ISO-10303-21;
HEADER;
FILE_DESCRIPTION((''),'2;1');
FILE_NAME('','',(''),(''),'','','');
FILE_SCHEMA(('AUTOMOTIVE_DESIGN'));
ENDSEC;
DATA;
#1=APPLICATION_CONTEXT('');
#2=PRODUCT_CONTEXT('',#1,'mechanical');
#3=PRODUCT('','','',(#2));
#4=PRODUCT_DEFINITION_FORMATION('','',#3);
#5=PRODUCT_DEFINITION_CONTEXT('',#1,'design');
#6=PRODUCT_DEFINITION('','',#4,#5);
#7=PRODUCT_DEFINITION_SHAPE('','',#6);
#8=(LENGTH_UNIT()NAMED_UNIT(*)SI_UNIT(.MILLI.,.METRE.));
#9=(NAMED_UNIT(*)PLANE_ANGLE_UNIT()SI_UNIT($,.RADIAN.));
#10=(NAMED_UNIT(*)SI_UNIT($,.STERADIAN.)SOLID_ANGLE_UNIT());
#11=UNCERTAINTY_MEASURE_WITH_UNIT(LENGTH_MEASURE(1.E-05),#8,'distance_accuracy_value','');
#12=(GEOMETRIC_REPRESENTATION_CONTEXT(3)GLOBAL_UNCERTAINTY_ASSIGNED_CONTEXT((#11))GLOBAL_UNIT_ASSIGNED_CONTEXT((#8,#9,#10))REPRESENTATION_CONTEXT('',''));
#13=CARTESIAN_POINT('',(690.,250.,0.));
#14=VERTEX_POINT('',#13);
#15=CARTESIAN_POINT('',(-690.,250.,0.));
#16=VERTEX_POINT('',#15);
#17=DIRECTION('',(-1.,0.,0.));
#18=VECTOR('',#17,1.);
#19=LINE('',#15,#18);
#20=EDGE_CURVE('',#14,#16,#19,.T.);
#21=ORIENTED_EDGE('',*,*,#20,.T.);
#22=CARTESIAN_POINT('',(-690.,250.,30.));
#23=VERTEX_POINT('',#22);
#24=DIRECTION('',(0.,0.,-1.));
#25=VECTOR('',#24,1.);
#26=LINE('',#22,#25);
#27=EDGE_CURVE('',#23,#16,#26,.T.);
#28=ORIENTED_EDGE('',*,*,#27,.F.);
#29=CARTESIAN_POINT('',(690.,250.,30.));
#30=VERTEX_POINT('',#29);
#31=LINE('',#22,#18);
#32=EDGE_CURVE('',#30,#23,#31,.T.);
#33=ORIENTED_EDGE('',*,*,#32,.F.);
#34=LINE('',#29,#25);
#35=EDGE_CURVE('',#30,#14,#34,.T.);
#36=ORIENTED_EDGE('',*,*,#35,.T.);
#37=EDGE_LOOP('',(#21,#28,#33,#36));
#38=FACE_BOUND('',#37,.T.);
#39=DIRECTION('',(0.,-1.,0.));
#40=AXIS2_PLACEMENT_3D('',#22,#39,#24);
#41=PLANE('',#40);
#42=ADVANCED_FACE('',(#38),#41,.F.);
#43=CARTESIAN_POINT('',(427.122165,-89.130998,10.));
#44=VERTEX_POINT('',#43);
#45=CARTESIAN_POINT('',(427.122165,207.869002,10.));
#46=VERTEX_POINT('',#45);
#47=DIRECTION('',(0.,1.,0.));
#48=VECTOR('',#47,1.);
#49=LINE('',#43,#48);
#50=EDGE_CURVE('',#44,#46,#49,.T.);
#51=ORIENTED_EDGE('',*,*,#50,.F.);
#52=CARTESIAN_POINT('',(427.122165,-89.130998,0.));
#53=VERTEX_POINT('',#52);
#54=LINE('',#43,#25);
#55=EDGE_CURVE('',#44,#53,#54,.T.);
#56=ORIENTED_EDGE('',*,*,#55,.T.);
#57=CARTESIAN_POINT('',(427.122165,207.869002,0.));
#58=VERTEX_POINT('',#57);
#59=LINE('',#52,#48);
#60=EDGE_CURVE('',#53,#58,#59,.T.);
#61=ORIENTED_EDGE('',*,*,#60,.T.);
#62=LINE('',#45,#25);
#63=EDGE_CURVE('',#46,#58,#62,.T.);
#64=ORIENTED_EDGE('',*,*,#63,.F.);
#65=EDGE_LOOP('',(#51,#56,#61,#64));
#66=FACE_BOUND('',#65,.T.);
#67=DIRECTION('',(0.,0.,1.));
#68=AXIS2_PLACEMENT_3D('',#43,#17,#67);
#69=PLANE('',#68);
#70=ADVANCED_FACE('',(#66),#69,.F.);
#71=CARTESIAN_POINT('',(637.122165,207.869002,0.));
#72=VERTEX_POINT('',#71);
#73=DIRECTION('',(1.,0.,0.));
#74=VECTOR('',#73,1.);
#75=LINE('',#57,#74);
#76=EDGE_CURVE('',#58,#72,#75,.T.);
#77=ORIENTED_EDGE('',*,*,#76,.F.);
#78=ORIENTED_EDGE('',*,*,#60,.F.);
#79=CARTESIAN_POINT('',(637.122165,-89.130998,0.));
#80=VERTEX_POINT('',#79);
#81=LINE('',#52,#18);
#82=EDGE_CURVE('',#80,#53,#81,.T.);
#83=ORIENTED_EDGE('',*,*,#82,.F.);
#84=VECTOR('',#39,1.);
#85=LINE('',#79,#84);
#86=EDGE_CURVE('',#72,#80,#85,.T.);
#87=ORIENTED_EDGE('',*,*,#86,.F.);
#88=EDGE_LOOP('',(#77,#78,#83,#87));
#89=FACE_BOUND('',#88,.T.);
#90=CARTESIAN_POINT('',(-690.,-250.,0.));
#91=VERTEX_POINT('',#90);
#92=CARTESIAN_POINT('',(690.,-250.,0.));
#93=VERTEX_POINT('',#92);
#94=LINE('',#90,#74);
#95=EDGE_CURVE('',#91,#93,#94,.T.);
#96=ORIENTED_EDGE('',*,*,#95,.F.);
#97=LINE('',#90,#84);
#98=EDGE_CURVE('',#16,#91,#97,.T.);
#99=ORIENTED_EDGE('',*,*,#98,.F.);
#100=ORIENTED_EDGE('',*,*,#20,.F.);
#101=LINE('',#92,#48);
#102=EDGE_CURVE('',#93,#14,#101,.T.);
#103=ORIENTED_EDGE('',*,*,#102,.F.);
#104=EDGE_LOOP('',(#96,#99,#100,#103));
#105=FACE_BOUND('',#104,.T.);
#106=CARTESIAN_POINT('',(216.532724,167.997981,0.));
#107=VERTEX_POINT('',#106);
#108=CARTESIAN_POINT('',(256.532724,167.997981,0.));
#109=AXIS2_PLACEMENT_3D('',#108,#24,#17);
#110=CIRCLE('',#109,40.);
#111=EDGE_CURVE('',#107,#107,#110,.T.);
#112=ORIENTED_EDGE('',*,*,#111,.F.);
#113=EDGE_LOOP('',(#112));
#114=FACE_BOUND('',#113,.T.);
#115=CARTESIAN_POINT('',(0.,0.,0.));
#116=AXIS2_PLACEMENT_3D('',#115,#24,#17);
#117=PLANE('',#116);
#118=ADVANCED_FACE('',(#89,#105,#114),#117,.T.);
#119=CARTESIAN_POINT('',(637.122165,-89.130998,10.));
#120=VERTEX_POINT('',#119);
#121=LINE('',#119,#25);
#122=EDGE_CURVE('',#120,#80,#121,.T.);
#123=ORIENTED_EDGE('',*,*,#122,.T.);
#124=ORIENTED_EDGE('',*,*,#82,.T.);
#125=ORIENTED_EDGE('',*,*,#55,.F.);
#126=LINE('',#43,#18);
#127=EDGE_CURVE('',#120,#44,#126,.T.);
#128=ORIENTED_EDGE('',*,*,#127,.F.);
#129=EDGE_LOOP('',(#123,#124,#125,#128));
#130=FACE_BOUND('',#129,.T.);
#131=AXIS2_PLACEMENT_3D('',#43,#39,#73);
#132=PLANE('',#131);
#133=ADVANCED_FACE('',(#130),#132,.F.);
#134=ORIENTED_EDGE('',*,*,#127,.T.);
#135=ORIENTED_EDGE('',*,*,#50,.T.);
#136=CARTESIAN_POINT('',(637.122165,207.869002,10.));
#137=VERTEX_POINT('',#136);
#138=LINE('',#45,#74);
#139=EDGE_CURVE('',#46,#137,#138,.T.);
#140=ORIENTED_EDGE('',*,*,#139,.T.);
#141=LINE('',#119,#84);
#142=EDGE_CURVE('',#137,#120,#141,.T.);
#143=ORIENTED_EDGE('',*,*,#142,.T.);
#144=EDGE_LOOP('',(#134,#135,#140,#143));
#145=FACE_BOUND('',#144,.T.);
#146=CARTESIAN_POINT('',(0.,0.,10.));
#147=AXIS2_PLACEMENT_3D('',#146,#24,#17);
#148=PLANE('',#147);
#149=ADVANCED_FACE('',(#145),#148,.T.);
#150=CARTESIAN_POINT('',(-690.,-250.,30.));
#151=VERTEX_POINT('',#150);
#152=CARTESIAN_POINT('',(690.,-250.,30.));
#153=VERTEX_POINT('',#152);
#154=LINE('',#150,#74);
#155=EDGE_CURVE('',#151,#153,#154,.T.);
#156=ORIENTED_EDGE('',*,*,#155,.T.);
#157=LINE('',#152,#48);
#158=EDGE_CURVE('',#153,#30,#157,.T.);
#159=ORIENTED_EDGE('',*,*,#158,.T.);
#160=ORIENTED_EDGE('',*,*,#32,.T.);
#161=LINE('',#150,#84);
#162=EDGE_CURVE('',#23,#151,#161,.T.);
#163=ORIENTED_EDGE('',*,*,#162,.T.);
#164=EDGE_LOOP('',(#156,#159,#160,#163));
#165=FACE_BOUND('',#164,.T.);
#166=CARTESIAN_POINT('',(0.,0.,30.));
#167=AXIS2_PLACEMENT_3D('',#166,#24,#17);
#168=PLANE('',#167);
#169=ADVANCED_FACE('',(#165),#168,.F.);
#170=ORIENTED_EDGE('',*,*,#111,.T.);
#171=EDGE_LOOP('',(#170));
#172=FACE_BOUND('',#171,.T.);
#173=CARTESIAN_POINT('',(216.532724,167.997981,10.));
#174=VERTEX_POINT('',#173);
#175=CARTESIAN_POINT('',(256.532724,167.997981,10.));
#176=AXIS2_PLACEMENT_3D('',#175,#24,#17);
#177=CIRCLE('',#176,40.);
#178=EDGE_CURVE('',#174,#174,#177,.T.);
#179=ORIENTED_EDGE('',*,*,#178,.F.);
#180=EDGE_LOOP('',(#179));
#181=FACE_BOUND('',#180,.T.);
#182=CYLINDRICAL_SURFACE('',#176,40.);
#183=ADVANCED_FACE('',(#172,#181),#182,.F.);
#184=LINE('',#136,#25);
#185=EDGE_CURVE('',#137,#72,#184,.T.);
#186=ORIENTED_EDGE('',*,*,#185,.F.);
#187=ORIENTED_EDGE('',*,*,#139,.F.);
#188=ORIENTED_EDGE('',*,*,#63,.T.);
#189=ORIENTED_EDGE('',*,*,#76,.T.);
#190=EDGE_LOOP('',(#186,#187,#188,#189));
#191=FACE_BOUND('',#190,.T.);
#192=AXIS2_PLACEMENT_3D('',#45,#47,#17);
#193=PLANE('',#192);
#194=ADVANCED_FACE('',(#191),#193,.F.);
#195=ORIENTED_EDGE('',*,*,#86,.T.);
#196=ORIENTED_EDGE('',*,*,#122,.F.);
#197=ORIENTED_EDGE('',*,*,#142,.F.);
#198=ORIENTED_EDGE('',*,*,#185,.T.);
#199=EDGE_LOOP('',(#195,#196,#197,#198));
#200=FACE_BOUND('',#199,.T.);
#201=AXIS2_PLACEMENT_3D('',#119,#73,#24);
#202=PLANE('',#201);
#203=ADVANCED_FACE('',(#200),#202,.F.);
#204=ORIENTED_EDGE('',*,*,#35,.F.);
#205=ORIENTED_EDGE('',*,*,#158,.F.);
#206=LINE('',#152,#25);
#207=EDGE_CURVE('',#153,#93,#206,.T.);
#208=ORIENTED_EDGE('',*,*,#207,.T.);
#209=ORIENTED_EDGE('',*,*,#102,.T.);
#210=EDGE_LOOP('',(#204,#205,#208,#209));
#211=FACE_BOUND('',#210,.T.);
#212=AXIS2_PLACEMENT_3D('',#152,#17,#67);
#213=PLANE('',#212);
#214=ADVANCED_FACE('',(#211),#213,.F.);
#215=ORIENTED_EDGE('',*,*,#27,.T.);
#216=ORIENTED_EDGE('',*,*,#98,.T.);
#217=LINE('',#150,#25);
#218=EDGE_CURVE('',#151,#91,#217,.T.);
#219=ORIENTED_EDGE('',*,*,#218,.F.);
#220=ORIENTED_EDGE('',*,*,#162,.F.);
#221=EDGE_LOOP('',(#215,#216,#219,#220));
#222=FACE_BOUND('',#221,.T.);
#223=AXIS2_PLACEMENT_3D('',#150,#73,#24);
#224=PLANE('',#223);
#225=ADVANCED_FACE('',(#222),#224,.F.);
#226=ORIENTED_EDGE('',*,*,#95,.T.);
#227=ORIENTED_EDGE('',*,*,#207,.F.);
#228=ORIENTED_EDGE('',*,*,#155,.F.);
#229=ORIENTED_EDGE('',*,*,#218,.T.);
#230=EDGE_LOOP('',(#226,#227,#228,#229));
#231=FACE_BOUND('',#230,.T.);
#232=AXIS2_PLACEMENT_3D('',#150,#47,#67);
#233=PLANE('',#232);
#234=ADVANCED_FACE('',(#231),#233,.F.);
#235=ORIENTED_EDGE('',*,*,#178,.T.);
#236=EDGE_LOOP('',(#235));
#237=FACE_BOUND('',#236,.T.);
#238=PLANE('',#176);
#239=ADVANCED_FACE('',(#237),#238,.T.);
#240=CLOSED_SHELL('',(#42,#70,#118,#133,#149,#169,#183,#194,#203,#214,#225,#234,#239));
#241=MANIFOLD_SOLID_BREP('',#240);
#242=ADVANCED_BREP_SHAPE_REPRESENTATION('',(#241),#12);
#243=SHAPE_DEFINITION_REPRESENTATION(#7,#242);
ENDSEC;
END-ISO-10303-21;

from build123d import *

# Parameters (mm, degrees)
CROQUIS1_W              = 1380
CROQUIS1_H              = 500
SALIENTE_EXTRUIR1_DEPTH = 30
CROQUIS2_R              = 40
CROQUIS2_W              = 210
CROQUIS2_H              = 297
CORTAR_EXTRUIR3_DEPTH   = 10


with BuildPart() as part:
    # Croquis1 → Saliente-Extruir1 (new body)
    with BuildSketch(Plane.XY):
        Rectangle(CROQUIS1_W, CROQUIS1_H)
    extrude(amount=SALIENTE_EXTRUIR1_DEPTH)

    # Croquis2 → Cortar-Extruir3 (cut)
    with BuildSketch(Plane(origin=(0, 0, 0), x_dir=(-1, 0, 0), z_dir=(0, 0, -1))):
        with Locations((-256.532724235, 167.997980694)):
            Circle(CROQUIS2_R)
        with Locations((-532.122165127, 59.369001894)):
            Rectangle(CROQUIS2_W, CROQUIS2_H)
    extrude(amount=-CORTAR_EXTRUIR3_DEPTH, mode=Mode.SUBTRACT)


solid = part.part
